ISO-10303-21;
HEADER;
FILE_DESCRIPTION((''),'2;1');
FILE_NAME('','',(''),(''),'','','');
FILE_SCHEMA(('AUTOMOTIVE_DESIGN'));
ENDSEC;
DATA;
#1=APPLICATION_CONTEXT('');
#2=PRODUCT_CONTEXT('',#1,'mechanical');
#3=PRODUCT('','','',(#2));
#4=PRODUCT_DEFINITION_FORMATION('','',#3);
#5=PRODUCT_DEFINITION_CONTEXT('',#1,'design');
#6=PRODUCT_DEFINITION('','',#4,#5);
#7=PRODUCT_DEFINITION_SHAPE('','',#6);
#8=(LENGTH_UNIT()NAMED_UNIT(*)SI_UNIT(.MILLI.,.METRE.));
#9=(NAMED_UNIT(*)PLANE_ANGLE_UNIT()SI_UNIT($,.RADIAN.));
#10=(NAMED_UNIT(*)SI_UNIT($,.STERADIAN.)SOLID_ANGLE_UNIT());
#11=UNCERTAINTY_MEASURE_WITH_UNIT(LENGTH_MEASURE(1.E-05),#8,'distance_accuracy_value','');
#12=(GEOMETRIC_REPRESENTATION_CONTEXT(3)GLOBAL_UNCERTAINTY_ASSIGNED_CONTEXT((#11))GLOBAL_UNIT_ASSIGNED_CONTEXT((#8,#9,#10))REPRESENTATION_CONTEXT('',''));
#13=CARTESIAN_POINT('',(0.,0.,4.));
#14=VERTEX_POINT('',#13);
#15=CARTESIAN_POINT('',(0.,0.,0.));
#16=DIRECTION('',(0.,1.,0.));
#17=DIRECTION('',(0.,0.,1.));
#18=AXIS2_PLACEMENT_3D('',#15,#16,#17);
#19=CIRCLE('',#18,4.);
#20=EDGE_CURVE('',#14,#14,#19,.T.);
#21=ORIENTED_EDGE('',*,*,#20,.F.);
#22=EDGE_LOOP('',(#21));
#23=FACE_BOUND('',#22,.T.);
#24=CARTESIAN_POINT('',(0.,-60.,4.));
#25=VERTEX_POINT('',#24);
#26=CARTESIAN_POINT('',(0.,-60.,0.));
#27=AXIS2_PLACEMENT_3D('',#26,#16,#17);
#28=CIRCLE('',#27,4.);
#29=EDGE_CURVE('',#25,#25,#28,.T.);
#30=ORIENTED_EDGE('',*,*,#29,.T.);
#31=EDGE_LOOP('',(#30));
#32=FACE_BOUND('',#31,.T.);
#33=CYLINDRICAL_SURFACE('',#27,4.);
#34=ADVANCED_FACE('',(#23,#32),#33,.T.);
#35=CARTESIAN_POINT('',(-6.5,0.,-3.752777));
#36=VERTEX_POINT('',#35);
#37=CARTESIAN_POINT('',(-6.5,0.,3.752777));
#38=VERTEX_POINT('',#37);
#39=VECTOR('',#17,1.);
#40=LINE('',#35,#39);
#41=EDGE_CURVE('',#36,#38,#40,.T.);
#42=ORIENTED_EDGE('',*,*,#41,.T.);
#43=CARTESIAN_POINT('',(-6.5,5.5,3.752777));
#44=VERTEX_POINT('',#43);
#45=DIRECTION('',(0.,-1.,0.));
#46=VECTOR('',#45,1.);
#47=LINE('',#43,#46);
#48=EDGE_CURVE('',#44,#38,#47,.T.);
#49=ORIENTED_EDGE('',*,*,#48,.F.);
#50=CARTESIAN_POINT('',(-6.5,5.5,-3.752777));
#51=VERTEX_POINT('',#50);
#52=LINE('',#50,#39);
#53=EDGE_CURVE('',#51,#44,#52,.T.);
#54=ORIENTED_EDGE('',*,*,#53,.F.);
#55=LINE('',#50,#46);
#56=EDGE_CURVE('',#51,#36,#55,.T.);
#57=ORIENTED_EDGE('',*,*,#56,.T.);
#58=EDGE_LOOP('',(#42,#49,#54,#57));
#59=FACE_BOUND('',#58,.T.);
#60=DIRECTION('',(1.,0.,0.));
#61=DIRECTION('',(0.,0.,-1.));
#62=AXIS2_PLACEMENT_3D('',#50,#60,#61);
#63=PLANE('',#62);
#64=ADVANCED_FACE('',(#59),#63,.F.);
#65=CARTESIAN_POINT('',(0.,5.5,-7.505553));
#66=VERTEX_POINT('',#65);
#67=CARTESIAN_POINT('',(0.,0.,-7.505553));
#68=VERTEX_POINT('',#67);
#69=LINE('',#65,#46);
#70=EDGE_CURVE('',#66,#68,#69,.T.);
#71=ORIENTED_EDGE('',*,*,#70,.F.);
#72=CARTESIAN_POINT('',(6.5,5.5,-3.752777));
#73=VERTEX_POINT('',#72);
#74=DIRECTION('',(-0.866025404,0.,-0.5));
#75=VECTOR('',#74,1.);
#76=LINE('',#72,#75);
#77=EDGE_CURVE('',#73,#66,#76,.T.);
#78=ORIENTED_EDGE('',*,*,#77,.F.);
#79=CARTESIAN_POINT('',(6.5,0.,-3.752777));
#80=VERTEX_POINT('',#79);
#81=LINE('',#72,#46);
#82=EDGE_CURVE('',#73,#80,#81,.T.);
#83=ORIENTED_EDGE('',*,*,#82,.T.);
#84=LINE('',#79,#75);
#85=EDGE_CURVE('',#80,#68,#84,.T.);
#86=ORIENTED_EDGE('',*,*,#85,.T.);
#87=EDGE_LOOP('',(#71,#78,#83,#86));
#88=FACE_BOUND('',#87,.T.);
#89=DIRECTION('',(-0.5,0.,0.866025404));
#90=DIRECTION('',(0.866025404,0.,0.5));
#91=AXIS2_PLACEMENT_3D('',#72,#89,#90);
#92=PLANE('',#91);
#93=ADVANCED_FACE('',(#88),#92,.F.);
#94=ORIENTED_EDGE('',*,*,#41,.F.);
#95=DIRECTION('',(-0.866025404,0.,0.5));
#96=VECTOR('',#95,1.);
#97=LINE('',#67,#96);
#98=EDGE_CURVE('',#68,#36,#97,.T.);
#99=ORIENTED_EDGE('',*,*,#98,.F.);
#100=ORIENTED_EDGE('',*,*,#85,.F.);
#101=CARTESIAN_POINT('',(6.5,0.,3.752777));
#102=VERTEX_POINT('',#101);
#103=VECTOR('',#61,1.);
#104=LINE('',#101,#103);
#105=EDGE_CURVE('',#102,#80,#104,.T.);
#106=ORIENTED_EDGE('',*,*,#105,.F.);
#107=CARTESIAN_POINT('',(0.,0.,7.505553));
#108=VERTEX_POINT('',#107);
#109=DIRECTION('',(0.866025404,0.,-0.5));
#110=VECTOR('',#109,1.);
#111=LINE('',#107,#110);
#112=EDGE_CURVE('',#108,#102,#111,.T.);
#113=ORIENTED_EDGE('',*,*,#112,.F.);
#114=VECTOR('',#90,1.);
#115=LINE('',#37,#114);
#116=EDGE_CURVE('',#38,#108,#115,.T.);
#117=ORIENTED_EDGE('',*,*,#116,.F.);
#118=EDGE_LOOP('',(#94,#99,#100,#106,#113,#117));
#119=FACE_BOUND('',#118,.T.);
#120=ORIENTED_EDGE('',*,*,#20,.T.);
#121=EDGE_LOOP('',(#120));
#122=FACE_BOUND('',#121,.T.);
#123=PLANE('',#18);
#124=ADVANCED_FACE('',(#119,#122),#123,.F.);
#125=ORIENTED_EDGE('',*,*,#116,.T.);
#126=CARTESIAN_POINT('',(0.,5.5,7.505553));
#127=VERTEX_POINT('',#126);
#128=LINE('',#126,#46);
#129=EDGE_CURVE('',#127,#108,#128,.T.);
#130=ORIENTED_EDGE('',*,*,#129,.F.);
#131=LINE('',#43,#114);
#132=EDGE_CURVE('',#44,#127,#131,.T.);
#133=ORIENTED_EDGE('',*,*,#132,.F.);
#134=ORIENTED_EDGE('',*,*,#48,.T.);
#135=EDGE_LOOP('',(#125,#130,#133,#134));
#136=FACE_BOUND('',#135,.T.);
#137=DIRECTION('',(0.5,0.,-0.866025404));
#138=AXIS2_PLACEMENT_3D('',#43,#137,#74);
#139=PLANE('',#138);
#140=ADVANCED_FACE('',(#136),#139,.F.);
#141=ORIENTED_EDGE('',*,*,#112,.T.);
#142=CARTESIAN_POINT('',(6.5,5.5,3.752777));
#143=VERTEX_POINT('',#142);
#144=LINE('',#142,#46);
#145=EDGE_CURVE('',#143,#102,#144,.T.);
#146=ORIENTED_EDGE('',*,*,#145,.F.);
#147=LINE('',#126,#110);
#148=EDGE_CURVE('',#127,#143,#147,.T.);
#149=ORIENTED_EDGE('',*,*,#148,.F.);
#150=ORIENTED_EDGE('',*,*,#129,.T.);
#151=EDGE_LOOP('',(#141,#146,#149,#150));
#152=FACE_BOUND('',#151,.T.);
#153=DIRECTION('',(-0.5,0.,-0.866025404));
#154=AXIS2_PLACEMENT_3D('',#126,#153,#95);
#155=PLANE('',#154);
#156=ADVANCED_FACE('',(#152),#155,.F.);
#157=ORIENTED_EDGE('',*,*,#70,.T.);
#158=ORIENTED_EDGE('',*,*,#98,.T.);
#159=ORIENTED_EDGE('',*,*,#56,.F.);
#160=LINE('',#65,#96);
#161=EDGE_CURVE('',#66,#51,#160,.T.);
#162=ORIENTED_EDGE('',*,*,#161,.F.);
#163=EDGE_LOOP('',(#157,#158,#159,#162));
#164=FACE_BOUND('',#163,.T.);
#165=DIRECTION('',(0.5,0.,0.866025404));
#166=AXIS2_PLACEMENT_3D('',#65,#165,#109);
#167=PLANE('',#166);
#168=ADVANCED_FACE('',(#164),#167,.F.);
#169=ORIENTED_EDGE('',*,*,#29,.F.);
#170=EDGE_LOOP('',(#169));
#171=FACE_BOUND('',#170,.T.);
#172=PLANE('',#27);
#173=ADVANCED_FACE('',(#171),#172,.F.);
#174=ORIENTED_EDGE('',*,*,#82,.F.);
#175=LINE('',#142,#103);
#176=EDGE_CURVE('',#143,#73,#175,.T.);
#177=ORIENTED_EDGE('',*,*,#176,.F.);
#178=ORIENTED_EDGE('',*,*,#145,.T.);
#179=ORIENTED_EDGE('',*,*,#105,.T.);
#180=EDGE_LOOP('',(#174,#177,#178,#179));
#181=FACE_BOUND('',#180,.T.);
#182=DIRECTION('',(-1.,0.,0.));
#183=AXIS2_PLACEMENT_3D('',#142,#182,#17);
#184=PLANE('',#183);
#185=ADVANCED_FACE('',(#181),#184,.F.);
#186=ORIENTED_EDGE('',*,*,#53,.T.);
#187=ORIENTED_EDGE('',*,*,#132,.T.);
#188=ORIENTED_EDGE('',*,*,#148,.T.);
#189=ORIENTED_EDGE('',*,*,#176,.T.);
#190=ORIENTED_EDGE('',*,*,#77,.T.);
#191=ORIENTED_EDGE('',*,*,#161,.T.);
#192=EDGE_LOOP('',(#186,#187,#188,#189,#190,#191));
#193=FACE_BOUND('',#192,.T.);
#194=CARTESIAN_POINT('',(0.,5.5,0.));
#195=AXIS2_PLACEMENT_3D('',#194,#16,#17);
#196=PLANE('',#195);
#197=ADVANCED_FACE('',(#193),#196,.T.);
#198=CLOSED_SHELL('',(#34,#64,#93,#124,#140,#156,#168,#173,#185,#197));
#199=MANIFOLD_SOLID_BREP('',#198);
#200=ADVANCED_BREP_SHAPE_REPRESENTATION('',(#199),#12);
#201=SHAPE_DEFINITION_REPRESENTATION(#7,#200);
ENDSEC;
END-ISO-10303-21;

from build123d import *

# Parameters (mm, degrees)
BOSS_EXTRU_1_DEPTH = 5.5
ESQUISSE2_R        = 4
BOSS_EXTRU_2_DEPTH = 60


with BuildPart() as part:
    # Esquisse1 → Boss.-Extru.1 (new body)
    with BuildSketch(Plane(origin=(0, 0, 0), x_dir=(1, 0, 0), z_dir=(0, 1, 0))):
        Polygon((6.5, 3.75277675), (0, 7.505553499), (-6.5, 3.75277675), (-6.5, -3.75277675), (0, -7.505553499), (6.5, -3.75277675), align=None)
    extrude(amount=BOSS_EXTRU_1_DEPTH)

    # Esquisse2 → Boss.-Extru.2 (add)
    with BuildSketch(Plane(origin=(0, 0, 0), x_dir=(1, 0, 0), z_dir=(0, 1, 0))):
        with Locations(Location((0, 0, 0), (0, 0, 270))):
            Circle(ESQUISSE2_R)
    extrude(amount=-BOSS_EXTRU_2_DEPTH)


solid = part.part
